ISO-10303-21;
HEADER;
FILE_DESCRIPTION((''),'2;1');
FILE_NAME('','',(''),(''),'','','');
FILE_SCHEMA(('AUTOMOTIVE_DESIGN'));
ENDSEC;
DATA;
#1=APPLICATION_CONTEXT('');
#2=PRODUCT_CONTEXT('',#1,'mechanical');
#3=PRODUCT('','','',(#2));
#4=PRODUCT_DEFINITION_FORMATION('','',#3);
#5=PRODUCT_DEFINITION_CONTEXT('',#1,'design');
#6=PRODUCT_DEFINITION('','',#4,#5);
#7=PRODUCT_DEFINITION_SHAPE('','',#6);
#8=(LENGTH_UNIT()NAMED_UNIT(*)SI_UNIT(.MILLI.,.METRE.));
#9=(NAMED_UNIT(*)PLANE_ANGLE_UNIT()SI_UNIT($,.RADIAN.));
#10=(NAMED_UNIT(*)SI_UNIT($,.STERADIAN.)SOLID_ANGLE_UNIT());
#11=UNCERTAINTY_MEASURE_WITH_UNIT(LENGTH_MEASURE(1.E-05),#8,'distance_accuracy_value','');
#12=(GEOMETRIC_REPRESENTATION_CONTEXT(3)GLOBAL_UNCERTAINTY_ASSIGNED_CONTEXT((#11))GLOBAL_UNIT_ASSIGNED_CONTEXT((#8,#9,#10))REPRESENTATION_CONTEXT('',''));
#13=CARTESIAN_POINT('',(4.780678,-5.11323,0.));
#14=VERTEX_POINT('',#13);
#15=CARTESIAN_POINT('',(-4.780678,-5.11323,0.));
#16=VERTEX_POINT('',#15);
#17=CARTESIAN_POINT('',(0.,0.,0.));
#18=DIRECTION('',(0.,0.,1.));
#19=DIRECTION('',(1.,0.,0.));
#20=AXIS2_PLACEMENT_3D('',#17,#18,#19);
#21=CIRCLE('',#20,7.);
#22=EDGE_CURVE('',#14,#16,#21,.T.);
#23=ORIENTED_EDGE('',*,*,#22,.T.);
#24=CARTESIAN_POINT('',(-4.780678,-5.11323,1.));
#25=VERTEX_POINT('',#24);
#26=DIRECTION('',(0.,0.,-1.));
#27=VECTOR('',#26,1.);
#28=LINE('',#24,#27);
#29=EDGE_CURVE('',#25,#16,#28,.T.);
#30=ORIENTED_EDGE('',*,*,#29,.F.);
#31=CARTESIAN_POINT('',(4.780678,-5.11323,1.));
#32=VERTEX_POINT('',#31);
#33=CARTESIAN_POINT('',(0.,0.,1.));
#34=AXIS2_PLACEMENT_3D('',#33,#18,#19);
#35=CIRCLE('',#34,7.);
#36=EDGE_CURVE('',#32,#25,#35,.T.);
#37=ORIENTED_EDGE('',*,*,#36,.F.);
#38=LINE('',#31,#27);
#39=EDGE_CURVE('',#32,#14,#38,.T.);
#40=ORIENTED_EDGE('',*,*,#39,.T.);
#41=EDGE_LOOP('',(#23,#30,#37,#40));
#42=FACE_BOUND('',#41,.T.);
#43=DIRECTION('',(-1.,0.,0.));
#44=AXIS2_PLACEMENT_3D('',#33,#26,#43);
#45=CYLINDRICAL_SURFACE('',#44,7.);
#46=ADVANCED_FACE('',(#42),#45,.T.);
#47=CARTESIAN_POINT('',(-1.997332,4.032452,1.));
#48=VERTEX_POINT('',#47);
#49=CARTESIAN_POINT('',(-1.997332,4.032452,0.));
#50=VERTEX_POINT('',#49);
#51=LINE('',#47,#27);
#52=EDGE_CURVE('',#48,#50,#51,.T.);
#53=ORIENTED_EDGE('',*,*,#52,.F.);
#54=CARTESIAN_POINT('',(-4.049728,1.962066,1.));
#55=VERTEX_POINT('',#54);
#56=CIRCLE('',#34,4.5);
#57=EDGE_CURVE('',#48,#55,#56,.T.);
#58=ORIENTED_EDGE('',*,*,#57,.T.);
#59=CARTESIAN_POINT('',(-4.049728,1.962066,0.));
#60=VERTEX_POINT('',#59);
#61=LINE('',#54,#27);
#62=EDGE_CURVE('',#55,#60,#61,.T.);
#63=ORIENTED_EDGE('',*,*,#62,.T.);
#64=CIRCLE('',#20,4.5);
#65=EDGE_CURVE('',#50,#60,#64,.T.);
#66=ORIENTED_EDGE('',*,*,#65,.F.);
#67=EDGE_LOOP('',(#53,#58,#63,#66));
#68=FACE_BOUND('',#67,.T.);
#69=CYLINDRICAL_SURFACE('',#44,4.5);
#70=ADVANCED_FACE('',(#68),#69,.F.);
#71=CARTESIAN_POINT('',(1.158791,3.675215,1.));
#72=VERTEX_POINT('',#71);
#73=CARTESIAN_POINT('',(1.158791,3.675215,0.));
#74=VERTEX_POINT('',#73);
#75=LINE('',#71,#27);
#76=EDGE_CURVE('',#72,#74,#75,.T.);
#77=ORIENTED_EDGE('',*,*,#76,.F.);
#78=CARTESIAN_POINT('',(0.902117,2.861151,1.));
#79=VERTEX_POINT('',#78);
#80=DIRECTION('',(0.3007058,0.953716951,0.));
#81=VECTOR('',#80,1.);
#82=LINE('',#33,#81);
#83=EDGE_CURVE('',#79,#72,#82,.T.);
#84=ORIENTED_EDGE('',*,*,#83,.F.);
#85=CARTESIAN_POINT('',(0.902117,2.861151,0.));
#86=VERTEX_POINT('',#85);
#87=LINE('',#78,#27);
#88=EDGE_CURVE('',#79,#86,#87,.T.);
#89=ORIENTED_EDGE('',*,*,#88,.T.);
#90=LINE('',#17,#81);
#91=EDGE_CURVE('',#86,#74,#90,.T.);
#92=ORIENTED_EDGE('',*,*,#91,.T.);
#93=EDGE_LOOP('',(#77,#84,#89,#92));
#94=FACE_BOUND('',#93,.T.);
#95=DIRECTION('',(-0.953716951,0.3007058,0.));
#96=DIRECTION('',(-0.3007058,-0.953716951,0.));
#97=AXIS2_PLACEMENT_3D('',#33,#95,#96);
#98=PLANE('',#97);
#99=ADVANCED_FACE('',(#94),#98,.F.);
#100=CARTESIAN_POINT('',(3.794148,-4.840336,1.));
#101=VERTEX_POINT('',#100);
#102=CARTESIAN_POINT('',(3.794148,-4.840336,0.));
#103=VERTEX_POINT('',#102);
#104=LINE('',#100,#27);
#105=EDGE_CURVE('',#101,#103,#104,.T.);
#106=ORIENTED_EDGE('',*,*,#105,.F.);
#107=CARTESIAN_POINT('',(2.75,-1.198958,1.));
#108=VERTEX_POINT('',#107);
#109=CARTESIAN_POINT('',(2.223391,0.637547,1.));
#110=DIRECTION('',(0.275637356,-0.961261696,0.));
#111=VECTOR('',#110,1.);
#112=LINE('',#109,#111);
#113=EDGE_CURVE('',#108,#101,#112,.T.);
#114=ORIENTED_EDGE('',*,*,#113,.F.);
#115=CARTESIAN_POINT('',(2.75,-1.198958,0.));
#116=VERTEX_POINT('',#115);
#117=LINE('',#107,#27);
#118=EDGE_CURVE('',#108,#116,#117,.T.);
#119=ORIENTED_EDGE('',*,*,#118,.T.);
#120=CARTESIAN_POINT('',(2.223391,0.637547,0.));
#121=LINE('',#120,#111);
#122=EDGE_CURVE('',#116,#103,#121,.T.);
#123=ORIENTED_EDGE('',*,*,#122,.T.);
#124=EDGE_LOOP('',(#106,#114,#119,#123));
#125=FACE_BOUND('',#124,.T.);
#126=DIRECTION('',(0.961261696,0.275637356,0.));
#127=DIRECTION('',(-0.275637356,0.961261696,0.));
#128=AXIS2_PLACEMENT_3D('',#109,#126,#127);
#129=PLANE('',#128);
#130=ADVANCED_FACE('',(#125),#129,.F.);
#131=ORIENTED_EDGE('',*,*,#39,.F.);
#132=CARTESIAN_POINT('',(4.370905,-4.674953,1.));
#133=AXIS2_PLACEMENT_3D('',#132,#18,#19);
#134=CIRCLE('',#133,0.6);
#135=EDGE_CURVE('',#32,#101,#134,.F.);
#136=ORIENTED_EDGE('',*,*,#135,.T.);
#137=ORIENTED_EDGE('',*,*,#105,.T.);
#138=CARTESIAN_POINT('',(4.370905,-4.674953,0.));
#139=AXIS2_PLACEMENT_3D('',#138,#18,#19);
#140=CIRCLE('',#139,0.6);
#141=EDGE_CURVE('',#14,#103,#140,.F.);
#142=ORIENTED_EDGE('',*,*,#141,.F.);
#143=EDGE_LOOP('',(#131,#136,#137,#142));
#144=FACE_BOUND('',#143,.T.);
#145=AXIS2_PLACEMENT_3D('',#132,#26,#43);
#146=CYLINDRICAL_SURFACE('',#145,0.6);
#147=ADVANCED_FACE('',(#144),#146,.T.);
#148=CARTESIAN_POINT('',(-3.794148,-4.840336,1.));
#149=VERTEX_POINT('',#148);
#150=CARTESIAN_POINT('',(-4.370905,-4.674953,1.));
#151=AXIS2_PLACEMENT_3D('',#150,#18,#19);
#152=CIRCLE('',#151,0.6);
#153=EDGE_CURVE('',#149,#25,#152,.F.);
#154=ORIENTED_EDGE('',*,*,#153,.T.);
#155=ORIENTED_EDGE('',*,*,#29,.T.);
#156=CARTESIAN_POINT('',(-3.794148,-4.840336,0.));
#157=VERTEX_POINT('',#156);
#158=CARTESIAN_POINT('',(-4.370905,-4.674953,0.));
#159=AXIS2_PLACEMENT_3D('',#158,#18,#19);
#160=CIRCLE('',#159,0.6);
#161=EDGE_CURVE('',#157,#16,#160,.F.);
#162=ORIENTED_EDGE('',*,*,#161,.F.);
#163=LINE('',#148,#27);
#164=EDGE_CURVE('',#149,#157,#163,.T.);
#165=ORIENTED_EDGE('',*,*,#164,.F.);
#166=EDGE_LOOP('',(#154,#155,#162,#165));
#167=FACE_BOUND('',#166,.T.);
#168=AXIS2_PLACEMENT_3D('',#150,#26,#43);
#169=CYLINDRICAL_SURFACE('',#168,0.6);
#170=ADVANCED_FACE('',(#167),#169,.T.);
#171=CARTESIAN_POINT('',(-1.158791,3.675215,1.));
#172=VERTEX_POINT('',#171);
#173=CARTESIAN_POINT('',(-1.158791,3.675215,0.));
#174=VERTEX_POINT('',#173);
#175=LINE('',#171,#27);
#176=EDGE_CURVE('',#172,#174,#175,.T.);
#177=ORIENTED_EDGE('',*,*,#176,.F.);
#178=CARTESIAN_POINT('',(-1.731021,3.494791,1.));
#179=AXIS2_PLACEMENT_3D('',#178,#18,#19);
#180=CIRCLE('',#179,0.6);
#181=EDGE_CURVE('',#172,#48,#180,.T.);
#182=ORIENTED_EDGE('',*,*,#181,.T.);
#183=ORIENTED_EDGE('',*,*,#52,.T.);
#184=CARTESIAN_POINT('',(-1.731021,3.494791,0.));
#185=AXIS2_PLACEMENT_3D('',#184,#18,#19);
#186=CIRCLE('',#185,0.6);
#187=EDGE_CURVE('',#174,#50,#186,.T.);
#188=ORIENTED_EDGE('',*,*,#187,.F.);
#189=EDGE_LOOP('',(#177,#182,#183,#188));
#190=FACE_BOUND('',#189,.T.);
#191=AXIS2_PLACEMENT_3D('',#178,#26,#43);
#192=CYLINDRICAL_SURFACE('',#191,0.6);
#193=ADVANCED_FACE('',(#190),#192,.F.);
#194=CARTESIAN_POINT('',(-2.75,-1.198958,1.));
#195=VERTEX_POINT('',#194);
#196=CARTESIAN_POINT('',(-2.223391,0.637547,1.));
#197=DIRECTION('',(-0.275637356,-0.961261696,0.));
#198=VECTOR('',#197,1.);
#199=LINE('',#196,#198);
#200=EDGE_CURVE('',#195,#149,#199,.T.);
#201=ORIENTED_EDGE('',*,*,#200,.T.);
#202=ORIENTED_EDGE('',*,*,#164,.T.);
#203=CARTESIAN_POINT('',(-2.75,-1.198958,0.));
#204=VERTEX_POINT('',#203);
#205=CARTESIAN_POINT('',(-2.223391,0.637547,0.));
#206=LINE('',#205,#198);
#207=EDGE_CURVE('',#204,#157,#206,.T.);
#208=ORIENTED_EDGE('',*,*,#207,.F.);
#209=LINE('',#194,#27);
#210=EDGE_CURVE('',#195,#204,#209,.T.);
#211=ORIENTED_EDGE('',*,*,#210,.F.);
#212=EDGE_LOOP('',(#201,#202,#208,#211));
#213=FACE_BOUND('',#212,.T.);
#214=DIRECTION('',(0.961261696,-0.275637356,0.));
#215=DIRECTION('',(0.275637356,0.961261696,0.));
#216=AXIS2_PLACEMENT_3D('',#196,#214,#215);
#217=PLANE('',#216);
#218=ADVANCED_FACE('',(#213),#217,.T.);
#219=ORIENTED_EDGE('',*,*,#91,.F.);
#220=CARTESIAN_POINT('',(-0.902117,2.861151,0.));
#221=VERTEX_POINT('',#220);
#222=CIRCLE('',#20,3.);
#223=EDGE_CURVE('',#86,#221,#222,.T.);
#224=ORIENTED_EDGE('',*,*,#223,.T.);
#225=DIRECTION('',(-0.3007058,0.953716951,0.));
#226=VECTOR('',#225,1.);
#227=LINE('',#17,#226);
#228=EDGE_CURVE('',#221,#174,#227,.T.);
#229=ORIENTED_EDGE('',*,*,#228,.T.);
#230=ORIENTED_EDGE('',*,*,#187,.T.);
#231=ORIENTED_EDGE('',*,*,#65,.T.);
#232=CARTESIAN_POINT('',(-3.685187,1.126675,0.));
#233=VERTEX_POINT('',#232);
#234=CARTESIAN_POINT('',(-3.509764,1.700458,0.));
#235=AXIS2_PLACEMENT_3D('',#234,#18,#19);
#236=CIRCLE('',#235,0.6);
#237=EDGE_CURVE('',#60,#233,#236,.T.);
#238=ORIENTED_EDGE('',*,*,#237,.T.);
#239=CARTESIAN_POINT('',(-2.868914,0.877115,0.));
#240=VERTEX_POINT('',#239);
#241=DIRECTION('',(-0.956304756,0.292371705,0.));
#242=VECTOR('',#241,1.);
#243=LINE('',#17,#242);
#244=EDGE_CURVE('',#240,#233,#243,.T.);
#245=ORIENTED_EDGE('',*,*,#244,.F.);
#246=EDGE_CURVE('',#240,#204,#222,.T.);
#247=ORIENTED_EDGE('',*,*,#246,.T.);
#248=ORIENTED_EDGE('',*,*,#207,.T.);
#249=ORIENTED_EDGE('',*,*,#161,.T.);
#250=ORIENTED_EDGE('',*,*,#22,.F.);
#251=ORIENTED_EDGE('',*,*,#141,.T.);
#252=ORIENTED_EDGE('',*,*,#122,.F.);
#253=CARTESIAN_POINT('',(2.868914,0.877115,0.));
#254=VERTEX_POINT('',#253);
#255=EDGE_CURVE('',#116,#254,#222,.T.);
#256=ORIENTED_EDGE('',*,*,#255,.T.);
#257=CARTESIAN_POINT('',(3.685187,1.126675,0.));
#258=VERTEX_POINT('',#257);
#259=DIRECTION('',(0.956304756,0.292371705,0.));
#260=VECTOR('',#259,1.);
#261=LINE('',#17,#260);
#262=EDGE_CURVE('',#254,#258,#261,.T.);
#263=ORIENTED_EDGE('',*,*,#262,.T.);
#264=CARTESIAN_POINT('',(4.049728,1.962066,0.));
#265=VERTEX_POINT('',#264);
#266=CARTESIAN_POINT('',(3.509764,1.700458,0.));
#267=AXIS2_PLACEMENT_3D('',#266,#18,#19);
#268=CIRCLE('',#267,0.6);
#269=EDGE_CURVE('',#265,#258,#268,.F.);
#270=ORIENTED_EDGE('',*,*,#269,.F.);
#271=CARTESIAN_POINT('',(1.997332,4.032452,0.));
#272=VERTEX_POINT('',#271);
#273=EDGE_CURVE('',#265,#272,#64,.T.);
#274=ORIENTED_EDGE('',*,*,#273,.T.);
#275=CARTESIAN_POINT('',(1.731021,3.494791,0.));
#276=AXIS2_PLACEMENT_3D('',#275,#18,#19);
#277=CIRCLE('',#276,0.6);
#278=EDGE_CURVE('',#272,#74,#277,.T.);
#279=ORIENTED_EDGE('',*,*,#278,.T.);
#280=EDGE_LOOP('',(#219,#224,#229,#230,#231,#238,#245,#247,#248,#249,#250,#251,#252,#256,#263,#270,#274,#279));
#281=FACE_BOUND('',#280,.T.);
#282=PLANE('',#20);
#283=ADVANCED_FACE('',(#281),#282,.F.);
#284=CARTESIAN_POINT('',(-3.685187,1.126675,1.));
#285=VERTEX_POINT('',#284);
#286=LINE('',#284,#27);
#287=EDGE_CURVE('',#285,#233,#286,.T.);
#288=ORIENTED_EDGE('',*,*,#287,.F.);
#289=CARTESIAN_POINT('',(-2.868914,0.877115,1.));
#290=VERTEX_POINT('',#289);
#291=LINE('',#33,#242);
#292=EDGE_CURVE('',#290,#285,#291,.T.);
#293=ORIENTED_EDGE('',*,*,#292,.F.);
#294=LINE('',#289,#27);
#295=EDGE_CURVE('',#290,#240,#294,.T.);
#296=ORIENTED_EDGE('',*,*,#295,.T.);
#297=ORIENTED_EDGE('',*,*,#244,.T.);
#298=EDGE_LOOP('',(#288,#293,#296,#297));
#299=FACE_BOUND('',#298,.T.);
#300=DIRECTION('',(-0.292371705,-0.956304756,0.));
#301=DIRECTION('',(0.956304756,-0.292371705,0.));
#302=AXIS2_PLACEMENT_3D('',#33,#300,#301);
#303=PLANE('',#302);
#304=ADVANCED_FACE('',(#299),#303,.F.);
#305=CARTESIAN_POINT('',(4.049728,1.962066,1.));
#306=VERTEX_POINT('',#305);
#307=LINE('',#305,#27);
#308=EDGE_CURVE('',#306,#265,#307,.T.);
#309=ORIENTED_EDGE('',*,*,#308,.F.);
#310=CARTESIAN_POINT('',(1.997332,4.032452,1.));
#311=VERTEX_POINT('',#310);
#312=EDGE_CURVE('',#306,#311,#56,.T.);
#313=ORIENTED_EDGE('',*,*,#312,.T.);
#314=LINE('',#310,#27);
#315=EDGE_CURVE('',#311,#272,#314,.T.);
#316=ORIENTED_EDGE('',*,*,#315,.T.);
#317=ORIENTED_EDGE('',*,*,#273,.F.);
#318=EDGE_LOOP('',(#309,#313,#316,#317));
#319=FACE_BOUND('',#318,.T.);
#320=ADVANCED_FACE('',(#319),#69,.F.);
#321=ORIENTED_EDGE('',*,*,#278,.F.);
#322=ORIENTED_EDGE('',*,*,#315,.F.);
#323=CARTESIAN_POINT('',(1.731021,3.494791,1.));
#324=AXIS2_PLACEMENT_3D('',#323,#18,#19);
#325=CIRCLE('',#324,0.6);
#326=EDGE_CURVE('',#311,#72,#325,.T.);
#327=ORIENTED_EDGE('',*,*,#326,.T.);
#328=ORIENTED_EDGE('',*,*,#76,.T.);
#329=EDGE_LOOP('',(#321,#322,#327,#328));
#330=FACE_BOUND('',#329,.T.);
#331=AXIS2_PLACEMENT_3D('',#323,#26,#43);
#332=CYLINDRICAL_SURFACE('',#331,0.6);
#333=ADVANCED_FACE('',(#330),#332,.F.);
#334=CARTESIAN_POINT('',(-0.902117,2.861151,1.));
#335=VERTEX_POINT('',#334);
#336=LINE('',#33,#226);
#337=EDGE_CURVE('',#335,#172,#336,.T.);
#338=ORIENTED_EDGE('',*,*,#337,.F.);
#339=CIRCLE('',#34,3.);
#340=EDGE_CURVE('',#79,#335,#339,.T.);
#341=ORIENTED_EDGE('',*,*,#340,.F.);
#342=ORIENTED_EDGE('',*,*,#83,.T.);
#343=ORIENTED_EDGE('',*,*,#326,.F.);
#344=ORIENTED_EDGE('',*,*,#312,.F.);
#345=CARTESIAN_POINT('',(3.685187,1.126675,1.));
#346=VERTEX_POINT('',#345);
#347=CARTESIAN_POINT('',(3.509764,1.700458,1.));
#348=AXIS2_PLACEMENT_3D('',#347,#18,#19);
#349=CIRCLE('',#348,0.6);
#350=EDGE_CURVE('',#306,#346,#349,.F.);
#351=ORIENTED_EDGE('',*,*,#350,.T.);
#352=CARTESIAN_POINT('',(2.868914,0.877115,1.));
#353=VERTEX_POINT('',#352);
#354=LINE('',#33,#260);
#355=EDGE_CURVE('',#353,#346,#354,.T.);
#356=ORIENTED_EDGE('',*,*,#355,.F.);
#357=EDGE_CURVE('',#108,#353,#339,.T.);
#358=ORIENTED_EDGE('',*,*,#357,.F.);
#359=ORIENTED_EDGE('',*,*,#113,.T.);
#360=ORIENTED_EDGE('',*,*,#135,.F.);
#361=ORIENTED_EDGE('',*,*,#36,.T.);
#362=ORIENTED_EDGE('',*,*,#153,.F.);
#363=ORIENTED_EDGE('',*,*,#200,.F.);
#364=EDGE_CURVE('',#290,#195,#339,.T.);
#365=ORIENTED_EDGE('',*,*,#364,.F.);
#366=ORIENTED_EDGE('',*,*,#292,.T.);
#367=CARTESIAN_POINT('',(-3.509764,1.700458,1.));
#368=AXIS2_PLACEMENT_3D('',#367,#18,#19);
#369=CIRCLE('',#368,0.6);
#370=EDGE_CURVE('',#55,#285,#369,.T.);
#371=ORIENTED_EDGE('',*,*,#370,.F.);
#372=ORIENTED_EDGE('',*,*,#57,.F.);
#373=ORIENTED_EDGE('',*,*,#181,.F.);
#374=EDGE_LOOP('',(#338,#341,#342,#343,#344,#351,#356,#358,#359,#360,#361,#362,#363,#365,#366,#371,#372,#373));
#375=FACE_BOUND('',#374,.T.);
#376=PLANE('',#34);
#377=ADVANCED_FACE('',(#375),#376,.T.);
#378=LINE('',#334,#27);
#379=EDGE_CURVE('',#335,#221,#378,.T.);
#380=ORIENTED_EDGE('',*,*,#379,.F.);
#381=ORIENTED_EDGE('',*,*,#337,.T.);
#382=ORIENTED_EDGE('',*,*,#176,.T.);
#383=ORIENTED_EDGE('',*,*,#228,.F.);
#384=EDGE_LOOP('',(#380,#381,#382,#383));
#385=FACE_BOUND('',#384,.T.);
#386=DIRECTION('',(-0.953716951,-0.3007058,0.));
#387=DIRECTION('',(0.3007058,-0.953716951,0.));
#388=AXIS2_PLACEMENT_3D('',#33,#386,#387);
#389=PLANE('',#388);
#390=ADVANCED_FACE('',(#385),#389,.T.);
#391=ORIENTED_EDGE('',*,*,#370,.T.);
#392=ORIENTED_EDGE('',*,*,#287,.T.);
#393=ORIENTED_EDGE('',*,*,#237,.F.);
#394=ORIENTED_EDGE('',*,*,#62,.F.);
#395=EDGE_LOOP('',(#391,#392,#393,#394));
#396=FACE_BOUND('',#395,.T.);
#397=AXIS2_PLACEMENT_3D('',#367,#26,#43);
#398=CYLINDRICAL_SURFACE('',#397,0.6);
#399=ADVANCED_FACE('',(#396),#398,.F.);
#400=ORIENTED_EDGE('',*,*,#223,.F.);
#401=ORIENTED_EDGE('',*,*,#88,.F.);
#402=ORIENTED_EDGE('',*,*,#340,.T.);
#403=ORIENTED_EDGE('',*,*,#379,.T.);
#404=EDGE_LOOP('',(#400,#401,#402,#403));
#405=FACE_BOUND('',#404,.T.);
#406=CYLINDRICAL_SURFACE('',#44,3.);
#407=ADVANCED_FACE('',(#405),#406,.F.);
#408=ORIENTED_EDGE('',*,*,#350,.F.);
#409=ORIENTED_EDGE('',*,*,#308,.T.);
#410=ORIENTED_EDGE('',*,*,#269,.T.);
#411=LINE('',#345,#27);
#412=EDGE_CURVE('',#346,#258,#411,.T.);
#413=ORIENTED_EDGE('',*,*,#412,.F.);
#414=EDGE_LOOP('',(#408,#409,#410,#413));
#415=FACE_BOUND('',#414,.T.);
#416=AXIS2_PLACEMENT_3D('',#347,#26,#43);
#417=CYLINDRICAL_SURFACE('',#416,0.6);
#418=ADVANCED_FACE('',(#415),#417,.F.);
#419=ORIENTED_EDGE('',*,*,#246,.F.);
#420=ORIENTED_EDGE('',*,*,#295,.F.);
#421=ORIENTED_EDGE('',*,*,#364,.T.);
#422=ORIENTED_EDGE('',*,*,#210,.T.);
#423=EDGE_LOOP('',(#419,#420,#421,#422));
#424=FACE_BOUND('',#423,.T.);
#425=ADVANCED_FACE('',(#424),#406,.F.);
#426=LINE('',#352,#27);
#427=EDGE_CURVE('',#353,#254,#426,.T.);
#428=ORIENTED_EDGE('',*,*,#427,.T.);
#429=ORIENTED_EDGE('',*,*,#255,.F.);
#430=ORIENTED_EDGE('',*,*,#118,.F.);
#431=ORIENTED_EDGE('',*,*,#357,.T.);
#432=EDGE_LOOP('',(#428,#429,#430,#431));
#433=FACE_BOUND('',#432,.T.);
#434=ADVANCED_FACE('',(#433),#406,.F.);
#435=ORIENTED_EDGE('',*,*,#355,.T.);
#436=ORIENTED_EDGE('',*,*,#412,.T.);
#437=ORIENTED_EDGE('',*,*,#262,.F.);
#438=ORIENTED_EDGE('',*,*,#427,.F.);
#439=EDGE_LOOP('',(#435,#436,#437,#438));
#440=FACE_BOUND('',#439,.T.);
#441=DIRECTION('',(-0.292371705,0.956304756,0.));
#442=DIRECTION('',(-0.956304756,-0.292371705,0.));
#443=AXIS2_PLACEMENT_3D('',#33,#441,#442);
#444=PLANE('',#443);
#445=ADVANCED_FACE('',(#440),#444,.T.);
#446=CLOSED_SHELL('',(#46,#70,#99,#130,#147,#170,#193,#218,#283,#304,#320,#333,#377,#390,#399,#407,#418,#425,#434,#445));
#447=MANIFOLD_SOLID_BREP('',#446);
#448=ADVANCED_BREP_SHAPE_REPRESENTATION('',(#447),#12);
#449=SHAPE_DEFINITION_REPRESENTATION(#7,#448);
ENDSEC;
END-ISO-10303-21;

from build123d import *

# Parameters (mm, degrees)
EXTRUDE_1_DEPTH = 1


with BuildPart() as part:
    # 草图1 → 拉伸1 (new body)
    with BuildSketch(Plane.XY):
        with BuildLine():
            Line((2.75, -1.198957881), (3.794148253, -4.840335581))
            ThreePointArc((3.794148253, -4.840335581), (4.210940234, -5.253236132), (4.78067764, -5.113230026))
            ThreePointArc((4.78067764, -5.113230026), (0, 7), (-4.78067764, -5.113230026))
            ThreePointArc((-4.78067764, -5.113230026), (-4.210940234, -5.253236132), (-3.794148253, -4.840335581))
            Line((-3.794148253, -4.840335581), (-2.75, -1.198957881))
            ThreePointArc((-2.75, -1.198957881), (-2.995090843, -0.171554197), (-2.868914268, 0.877115114))
            Line((-2.868914268, 0.877115114), (-3.685187102, 1.126674764))
            ThreePointArc((-3.685187102, 1.126674764), (-4.059686231, 1.460487563), (-4.049727784, 1.962066482))
            ThreePointArc((-4.049727784, 1.962066482), (-3.19583419, 3.16806626), (-1.997331866, 4.03245154))
            ThreePointArc((-1.997331866, 4.03245154), (-1.495858948, 4.046786654), (-1.15879078, 3.675214814))
            Line((-1.15879078, 3.675214814), (-0.902117399, 2.861150852))
            ThreePointArc((-0.902117399, 2.861150852), (0, 3), (0.902117399, 2.861150852))
            Line((0.902117399, 2.861150852), (1.15879078, 3.675214814))
            ThreePointArc((1.15879078, 3.675214814), (1.495858948, 4.046786654), (1.997331866, 4.03245154))
            ThreePointArc((1.997331866, 4.03245154), (3.19583419, 3.16806626), (4.049727784, 1.962066482))
            ThreePointArc((4.049727784, 1.962066482), (4.059686231, 1.460487563), (3.685187102, 1.126674764))
            Line((3.685187102, 1.126674764), (2.868914268, 0.877115114))
            ThreePointArc((2.868914268, 0.877115114), (2.995090843, -0.171554197), (2.75, -1.198957881))
        make_face()
    extrude(amount=EXTRUDE_1_DEPTH)


solid = part.part
